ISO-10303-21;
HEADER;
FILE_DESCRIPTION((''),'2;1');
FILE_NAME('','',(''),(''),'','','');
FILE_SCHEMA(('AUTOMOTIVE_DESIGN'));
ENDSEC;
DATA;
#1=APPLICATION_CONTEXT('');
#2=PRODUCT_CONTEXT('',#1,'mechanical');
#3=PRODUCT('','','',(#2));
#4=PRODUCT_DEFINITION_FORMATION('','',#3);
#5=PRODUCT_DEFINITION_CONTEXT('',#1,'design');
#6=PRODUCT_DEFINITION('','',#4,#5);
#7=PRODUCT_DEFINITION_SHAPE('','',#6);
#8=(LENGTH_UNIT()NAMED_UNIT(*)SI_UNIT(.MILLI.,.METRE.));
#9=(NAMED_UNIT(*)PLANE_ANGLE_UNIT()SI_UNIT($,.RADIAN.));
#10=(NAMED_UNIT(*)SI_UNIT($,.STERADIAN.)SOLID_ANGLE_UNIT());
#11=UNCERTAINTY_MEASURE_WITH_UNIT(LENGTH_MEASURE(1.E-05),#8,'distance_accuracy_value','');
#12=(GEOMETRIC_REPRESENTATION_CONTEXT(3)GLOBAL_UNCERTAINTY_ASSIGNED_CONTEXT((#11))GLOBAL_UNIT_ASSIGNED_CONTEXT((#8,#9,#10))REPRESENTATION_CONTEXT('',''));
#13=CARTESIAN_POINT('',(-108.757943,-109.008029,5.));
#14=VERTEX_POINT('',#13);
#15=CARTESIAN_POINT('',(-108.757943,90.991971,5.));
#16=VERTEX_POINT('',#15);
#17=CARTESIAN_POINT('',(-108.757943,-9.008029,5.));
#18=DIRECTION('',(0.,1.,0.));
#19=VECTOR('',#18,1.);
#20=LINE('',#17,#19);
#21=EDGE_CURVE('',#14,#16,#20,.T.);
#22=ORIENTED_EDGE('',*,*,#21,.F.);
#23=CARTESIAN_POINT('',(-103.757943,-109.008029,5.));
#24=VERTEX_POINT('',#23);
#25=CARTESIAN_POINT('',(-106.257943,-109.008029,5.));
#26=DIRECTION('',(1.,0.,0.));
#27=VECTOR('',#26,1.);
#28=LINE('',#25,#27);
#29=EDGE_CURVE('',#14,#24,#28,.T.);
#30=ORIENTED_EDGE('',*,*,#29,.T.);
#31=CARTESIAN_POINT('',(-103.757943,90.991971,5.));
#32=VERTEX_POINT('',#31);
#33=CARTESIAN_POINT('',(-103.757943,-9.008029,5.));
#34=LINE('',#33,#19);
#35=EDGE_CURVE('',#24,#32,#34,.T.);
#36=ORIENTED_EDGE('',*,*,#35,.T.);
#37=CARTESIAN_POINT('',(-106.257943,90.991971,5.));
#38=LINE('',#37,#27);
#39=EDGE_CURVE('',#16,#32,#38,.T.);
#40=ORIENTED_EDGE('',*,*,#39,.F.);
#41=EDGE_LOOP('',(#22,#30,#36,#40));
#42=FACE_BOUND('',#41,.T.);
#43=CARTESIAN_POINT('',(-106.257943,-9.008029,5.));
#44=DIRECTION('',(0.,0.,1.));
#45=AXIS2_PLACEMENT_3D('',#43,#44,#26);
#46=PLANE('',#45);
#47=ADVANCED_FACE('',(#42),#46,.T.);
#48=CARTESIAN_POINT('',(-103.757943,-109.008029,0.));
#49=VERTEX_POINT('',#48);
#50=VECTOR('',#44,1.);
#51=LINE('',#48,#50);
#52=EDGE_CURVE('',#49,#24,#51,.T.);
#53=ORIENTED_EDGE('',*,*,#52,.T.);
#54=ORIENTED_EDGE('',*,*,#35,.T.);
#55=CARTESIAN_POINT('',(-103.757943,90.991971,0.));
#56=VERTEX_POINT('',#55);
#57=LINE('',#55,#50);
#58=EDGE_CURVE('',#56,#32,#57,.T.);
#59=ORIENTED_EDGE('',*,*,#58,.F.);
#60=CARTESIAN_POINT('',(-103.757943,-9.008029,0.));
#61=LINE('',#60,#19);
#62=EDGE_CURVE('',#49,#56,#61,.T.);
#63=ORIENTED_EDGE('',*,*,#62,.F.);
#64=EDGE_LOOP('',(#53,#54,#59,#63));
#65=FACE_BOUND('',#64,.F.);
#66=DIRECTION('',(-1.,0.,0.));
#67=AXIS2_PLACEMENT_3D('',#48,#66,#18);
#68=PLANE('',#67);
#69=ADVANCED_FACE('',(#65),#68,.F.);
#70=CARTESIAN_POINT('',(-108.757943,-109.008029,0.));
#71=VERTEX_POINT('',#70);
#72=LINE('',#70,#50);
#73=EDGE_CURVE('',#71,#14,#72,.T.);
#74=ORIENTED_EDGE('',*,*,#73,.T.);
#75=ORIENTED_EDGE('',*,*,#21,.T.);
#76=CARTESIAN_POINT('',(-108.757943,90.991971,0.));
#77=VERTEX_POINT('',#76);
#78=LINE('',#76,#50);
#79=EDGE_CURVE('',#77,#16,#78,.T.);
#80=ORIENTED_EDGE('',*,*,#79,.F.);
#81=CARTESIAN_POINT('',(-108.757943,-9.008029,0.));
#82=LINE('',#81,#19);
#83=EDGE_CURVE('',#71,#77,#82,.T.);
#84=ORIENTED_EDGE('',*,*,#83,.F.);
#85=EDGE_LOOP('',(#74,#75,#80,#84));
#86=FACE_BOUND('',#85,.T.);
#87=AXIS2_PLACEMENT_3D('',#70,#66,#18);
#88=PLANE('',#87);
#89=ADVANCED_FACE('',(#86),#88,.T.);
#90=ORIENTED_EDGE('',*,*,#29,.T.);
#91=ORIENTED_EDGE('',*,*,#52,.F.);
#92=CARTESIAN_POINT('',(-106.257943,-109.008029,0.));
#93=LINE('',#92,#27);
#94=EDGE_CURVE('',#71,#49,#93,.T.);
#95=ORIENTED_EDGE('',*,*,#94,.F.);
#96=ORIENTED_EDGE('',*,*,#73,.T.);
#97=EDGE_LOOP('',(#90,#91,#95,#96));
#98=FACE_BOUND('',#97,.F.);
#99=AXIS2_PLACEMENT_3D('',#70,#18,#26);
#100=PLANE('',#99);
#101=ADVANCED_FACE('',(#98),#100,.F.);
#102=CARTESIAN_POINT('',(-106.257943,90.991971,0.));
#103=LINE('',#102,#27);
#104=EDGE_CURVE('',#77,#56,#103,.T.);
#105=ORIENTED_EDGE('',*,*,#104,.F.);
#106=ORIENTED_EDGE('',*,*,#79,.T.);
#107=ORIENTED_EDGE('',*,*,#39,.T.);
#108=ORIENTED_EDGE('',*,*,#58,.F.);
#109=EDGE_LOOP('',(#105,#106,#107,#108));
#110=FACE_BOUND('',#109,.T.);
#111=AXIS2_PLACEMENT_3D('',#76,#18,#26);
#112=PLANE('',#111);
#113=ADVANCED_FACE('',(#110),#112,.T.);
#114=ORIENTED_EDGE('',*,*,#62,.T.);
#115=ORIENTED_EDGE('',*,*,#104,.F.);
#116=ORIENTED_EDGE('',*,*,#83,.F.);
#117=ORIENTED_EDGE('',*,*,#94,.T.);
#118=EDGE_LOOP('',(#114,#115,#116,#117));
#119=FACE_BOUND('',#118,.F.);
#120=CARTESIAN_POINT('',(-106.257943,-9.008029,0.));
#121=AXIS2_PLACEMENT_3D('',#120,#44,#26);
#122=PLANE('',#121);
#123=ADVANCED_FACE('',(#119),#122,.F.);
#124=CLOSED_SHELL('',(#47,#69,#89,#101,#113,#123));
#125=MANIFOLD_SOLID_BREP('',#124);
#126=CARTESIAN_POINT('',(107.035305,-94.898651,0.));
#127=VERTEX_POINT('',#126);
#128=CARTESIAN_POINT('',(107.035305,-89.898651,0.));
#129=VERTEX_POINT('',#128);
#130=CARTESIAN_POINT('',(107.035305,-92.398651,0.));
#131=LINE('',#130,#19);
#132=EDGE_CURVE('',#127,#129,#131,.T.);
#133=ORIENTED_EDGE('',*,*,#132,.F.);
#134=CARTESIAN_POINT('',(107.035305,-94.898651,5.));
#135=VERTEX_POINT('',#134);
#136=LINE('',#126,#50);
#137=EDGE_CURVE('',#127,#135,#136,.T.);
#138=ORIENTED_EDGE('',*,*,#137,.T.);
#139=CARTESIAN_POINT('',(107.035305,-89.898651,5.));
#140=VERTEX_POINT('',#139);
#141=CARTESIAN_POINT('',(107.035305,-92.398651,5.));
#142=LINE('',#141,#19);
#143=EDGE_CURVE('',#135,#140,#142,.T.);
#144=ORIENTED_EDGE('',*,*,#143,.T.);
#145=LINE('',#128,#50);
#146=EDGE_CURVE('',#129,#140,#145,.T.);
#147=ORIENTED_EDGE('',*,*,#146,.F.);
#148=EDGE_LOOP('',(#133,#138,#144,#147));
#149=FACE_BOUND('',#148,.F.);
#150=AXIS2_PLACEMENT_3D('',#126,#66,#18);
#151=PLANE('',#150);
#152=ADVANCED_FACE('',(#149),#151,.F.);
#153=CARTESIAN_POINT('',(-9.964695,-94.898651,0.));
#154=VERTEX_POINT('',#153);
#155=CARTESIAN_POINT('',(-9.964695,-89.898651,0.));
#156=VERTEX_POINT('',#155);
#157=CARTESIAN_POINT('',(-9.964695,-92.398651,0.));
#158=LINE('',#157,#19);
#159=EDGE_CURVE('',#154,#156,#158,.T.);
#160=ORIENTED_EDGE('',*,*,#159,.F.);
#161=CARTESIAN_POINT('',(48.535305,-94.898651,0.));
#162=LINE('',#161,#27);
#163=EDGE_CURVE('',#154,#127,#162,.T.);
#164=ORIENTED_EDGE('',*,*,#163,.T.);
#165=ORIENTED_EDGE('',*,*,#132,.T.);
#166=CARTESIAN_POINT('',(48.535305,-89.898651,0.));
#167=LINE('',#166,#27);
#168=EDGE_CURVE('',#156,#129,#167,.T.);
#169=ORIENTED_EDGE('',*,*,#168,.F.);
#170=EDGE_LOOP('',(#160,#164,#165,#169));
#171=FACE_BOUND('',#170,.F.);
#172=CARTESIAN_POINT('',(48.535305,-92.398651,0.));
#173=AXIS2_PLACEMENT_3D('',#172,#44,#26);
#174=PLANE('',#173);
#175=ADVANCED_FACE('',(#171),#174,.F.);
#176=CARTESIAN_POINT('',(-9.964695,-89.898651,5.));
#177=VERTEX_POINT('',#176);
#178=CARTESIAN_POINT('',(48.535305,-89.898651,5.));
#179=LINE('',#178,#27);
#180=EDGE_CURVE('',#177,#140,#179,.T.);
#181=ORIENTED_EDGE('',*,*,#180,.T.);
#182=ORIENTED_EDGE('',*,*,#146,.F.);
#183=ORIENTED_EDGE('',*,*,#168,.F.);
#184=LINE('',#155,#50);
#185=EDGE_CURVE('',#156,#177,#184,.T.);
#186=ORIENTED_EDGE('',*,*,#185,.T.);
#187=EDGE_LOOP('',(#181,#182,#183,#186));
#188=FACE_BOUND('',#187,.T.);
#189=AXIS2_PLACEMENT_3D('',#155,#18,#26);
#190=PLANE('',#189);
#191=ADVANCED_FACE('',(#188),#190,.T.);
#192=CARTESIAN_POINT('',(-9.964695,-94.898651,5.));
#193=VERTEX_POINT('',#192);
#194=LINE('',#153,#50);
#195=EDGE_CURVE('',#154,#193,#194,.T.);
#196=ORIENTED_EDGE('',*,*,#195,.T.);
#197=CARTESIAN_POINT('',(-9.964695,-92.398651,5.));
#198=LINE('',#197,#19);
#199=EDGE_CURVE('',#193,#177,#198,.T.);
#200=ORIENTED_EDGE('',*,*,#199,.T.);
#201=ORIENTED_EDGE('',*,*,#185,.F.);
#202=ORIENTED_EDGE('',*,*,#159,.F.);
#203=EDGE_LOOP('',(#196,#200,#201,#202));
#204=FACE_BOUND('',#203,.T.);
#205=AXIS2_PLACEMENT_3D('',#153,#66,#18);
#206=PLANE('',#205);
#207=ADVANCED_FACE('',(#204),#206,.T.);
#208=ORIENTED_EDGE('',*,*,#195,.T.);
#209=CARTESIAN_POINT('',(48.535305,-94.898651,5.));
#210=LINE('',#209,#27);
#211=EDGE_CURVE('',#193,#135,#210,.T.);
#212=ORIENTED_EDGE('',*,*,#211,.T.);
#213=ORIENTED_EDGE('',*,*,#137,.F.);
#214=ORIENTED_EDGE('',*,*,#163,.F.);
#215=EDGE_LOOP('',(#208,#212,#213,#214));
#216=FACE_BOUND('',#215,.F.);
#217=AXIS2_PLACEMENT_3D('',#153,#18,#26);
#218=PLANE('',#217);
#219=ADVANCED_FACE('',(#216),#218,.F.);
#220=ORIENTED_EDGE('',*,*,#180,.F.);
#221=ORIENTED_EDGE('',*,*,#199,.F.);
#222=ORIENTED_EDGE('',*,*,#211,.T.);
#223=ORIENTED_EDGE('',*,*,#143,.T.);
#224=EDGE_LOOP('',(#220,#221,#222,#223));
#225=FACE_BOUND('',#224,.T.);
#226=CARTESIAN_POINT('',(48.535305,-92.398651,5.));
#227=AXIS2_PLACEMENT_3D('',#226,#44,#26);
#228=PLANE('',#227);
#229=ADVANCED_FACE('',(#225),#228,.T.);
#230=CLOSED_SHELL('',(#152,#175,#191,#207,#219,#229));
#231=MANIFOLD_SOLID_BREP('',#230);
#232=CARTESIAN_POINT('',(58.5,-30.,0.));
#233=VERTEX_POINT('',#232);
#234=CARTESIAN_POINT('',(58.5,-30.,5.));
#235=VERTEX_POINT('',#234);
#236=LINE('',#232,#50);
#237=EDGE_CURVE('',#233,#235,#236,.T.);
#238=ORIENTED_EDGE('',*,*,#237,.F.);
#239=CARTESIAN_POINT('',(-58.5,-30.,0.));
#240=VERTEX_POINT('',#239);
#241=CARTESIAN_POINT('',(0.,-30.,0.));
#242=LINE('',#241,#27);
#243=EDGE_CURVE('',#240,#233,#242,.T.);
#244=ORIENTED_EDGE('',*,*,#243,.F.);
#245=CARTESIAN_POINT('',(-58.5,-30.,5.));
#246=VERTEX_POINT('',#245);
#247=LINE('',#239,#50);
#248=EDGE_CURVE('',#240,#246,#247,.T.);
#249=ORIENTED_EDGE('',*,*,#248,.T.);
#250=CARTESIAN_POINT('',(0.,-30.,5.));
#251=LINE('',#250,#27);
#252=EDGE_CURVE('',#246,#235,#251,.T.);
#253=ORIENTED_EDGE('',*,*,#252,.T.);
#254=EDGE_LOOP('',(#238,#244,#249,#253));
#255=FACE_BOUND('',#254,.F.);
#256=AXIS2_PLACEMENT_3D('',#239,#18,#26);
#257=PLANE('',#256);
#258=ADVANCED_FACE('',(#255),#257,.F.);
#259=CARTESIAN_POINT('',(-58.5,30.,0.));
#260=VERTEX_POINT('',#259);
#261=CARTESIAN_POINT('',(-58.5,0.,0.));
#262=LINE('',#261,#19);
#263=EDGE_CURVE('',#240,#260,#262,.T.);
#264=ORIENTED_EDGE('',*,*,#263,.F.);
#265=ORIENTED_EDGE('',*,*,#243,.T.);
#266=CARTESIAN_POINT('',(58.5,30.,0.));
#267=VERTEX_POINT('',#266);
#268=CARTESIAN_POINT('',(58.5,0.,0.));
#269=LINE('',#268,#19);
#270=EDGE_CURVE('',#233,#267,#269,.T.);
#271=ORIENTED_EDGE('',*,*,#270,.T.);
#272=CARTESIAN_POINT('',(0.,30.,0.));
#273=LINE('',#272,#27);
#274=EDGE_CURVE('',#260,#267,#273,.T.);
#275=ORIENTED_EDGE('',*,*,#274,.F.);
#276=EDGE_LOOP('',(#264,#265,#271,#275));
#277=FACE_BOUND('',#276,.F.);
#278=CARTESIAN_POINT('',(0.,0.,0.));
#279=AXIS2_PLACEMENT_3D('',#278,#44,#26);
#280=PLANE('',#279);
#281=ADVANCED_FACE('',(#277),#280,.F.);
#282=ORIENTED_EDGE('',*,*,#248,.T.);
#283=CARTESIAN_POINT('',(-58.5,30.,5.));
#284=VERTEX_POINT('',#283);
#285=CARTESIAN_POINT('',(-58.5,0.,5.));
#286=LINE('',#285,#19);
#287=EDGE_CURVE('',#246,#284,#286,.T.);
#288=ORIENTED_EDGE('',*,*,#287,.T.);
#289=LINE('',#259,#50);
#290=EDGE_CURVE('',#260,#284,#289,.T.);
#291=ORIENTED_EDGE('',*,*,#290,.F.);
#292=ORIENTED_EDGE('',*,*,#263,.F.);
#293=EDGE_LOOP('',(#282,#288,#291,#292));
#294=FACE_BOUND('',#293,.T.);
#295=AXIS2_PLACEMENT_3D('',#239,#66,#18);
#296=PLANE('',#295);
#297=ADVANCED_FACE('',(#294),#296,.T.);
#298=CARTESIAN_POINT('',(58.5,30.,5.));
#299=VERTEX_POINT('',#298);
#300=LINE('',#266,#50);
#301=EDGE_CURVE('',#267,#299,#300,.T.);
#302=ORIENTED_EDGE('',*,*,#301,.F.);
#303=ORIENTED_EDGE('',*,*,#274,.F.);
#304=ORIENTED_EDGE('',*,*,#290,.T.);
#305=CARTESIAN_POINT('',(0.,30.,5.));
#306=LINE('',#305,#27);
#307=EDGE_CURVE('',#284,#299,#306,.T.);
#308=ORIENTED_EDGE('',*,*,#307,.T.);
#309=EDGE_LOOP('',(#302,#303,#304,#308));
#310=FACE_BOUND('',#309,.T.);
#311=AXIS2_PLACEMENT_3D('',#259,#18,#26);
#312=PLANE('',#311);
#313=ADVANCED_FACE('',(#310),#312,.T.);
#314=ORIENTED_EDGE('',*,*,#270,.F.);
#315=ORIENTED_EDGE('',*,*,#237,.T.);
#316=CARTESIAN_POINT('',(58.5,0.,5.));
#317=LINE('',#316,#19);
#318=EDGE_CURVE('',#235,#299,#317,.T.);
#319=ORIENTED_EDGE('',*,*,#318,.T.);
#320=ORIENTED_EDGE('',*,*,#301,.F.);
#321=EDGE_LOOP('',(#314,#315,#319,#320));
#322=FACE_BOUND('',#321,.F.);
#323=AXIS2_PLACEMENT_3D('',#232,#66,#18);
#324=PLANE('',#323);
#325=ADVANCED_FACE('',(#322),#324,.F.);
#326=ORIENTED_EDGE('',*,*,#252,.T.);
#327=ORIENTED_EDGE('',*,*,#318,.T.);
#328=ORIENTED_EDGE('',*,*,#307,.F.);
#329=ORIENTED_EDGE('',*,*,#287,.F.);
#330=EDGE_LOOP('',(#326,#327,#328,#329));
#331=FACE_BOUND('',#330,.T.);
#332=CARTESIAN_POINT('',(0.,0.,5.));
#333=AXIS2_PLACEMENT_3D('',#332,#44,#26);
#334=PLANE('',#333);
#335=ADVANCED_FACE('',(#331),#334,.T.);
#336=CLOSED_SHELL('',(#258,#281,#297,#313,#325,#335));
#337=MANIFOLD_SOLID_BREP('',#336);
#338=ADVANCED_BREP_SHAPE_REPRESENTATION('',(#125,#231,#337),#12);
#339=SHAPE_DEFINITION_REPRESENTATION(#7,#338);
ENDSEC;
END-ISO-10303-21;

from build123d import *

# Parameters (mm, degrees)
F0_W     = 117
F0_H     = 60
F1_DEPTH = 5
F3_W     = 5
F3_H     = 200
F4_DEPTH = 5
F5_W     = 117
F5_H     = 5
F6_DEPTH = 5


with BuildPart() as f1:
    # F0 (on Top) → F1 (new body)
    with BuildSketch(Plane.XY):
        Rectangle(F0_W, F0_H)
    extrude(amount=F1_DEPTH)


with BuildPart() as f4:
    # F3 (on face) → F4 (new body)
    with BuildSketch(Plane.XY):
        with Locations((-106.257943, -9.008029)):
            Rectangle(F3_W, F3_H)
    extrude(amount=F4_DEPTH)


with BuildPart() as f6:
    # F5 (on face) → F6 (new body)
    with BuildSketch(Plane.XY):
        with Locations((48.535305, -92.398651)):
            Rectangle(F5_W, F5_H)
    extrude(amount=F6_DEPTH)


solid = Compound([f1.part, f4.part, f6.part])
